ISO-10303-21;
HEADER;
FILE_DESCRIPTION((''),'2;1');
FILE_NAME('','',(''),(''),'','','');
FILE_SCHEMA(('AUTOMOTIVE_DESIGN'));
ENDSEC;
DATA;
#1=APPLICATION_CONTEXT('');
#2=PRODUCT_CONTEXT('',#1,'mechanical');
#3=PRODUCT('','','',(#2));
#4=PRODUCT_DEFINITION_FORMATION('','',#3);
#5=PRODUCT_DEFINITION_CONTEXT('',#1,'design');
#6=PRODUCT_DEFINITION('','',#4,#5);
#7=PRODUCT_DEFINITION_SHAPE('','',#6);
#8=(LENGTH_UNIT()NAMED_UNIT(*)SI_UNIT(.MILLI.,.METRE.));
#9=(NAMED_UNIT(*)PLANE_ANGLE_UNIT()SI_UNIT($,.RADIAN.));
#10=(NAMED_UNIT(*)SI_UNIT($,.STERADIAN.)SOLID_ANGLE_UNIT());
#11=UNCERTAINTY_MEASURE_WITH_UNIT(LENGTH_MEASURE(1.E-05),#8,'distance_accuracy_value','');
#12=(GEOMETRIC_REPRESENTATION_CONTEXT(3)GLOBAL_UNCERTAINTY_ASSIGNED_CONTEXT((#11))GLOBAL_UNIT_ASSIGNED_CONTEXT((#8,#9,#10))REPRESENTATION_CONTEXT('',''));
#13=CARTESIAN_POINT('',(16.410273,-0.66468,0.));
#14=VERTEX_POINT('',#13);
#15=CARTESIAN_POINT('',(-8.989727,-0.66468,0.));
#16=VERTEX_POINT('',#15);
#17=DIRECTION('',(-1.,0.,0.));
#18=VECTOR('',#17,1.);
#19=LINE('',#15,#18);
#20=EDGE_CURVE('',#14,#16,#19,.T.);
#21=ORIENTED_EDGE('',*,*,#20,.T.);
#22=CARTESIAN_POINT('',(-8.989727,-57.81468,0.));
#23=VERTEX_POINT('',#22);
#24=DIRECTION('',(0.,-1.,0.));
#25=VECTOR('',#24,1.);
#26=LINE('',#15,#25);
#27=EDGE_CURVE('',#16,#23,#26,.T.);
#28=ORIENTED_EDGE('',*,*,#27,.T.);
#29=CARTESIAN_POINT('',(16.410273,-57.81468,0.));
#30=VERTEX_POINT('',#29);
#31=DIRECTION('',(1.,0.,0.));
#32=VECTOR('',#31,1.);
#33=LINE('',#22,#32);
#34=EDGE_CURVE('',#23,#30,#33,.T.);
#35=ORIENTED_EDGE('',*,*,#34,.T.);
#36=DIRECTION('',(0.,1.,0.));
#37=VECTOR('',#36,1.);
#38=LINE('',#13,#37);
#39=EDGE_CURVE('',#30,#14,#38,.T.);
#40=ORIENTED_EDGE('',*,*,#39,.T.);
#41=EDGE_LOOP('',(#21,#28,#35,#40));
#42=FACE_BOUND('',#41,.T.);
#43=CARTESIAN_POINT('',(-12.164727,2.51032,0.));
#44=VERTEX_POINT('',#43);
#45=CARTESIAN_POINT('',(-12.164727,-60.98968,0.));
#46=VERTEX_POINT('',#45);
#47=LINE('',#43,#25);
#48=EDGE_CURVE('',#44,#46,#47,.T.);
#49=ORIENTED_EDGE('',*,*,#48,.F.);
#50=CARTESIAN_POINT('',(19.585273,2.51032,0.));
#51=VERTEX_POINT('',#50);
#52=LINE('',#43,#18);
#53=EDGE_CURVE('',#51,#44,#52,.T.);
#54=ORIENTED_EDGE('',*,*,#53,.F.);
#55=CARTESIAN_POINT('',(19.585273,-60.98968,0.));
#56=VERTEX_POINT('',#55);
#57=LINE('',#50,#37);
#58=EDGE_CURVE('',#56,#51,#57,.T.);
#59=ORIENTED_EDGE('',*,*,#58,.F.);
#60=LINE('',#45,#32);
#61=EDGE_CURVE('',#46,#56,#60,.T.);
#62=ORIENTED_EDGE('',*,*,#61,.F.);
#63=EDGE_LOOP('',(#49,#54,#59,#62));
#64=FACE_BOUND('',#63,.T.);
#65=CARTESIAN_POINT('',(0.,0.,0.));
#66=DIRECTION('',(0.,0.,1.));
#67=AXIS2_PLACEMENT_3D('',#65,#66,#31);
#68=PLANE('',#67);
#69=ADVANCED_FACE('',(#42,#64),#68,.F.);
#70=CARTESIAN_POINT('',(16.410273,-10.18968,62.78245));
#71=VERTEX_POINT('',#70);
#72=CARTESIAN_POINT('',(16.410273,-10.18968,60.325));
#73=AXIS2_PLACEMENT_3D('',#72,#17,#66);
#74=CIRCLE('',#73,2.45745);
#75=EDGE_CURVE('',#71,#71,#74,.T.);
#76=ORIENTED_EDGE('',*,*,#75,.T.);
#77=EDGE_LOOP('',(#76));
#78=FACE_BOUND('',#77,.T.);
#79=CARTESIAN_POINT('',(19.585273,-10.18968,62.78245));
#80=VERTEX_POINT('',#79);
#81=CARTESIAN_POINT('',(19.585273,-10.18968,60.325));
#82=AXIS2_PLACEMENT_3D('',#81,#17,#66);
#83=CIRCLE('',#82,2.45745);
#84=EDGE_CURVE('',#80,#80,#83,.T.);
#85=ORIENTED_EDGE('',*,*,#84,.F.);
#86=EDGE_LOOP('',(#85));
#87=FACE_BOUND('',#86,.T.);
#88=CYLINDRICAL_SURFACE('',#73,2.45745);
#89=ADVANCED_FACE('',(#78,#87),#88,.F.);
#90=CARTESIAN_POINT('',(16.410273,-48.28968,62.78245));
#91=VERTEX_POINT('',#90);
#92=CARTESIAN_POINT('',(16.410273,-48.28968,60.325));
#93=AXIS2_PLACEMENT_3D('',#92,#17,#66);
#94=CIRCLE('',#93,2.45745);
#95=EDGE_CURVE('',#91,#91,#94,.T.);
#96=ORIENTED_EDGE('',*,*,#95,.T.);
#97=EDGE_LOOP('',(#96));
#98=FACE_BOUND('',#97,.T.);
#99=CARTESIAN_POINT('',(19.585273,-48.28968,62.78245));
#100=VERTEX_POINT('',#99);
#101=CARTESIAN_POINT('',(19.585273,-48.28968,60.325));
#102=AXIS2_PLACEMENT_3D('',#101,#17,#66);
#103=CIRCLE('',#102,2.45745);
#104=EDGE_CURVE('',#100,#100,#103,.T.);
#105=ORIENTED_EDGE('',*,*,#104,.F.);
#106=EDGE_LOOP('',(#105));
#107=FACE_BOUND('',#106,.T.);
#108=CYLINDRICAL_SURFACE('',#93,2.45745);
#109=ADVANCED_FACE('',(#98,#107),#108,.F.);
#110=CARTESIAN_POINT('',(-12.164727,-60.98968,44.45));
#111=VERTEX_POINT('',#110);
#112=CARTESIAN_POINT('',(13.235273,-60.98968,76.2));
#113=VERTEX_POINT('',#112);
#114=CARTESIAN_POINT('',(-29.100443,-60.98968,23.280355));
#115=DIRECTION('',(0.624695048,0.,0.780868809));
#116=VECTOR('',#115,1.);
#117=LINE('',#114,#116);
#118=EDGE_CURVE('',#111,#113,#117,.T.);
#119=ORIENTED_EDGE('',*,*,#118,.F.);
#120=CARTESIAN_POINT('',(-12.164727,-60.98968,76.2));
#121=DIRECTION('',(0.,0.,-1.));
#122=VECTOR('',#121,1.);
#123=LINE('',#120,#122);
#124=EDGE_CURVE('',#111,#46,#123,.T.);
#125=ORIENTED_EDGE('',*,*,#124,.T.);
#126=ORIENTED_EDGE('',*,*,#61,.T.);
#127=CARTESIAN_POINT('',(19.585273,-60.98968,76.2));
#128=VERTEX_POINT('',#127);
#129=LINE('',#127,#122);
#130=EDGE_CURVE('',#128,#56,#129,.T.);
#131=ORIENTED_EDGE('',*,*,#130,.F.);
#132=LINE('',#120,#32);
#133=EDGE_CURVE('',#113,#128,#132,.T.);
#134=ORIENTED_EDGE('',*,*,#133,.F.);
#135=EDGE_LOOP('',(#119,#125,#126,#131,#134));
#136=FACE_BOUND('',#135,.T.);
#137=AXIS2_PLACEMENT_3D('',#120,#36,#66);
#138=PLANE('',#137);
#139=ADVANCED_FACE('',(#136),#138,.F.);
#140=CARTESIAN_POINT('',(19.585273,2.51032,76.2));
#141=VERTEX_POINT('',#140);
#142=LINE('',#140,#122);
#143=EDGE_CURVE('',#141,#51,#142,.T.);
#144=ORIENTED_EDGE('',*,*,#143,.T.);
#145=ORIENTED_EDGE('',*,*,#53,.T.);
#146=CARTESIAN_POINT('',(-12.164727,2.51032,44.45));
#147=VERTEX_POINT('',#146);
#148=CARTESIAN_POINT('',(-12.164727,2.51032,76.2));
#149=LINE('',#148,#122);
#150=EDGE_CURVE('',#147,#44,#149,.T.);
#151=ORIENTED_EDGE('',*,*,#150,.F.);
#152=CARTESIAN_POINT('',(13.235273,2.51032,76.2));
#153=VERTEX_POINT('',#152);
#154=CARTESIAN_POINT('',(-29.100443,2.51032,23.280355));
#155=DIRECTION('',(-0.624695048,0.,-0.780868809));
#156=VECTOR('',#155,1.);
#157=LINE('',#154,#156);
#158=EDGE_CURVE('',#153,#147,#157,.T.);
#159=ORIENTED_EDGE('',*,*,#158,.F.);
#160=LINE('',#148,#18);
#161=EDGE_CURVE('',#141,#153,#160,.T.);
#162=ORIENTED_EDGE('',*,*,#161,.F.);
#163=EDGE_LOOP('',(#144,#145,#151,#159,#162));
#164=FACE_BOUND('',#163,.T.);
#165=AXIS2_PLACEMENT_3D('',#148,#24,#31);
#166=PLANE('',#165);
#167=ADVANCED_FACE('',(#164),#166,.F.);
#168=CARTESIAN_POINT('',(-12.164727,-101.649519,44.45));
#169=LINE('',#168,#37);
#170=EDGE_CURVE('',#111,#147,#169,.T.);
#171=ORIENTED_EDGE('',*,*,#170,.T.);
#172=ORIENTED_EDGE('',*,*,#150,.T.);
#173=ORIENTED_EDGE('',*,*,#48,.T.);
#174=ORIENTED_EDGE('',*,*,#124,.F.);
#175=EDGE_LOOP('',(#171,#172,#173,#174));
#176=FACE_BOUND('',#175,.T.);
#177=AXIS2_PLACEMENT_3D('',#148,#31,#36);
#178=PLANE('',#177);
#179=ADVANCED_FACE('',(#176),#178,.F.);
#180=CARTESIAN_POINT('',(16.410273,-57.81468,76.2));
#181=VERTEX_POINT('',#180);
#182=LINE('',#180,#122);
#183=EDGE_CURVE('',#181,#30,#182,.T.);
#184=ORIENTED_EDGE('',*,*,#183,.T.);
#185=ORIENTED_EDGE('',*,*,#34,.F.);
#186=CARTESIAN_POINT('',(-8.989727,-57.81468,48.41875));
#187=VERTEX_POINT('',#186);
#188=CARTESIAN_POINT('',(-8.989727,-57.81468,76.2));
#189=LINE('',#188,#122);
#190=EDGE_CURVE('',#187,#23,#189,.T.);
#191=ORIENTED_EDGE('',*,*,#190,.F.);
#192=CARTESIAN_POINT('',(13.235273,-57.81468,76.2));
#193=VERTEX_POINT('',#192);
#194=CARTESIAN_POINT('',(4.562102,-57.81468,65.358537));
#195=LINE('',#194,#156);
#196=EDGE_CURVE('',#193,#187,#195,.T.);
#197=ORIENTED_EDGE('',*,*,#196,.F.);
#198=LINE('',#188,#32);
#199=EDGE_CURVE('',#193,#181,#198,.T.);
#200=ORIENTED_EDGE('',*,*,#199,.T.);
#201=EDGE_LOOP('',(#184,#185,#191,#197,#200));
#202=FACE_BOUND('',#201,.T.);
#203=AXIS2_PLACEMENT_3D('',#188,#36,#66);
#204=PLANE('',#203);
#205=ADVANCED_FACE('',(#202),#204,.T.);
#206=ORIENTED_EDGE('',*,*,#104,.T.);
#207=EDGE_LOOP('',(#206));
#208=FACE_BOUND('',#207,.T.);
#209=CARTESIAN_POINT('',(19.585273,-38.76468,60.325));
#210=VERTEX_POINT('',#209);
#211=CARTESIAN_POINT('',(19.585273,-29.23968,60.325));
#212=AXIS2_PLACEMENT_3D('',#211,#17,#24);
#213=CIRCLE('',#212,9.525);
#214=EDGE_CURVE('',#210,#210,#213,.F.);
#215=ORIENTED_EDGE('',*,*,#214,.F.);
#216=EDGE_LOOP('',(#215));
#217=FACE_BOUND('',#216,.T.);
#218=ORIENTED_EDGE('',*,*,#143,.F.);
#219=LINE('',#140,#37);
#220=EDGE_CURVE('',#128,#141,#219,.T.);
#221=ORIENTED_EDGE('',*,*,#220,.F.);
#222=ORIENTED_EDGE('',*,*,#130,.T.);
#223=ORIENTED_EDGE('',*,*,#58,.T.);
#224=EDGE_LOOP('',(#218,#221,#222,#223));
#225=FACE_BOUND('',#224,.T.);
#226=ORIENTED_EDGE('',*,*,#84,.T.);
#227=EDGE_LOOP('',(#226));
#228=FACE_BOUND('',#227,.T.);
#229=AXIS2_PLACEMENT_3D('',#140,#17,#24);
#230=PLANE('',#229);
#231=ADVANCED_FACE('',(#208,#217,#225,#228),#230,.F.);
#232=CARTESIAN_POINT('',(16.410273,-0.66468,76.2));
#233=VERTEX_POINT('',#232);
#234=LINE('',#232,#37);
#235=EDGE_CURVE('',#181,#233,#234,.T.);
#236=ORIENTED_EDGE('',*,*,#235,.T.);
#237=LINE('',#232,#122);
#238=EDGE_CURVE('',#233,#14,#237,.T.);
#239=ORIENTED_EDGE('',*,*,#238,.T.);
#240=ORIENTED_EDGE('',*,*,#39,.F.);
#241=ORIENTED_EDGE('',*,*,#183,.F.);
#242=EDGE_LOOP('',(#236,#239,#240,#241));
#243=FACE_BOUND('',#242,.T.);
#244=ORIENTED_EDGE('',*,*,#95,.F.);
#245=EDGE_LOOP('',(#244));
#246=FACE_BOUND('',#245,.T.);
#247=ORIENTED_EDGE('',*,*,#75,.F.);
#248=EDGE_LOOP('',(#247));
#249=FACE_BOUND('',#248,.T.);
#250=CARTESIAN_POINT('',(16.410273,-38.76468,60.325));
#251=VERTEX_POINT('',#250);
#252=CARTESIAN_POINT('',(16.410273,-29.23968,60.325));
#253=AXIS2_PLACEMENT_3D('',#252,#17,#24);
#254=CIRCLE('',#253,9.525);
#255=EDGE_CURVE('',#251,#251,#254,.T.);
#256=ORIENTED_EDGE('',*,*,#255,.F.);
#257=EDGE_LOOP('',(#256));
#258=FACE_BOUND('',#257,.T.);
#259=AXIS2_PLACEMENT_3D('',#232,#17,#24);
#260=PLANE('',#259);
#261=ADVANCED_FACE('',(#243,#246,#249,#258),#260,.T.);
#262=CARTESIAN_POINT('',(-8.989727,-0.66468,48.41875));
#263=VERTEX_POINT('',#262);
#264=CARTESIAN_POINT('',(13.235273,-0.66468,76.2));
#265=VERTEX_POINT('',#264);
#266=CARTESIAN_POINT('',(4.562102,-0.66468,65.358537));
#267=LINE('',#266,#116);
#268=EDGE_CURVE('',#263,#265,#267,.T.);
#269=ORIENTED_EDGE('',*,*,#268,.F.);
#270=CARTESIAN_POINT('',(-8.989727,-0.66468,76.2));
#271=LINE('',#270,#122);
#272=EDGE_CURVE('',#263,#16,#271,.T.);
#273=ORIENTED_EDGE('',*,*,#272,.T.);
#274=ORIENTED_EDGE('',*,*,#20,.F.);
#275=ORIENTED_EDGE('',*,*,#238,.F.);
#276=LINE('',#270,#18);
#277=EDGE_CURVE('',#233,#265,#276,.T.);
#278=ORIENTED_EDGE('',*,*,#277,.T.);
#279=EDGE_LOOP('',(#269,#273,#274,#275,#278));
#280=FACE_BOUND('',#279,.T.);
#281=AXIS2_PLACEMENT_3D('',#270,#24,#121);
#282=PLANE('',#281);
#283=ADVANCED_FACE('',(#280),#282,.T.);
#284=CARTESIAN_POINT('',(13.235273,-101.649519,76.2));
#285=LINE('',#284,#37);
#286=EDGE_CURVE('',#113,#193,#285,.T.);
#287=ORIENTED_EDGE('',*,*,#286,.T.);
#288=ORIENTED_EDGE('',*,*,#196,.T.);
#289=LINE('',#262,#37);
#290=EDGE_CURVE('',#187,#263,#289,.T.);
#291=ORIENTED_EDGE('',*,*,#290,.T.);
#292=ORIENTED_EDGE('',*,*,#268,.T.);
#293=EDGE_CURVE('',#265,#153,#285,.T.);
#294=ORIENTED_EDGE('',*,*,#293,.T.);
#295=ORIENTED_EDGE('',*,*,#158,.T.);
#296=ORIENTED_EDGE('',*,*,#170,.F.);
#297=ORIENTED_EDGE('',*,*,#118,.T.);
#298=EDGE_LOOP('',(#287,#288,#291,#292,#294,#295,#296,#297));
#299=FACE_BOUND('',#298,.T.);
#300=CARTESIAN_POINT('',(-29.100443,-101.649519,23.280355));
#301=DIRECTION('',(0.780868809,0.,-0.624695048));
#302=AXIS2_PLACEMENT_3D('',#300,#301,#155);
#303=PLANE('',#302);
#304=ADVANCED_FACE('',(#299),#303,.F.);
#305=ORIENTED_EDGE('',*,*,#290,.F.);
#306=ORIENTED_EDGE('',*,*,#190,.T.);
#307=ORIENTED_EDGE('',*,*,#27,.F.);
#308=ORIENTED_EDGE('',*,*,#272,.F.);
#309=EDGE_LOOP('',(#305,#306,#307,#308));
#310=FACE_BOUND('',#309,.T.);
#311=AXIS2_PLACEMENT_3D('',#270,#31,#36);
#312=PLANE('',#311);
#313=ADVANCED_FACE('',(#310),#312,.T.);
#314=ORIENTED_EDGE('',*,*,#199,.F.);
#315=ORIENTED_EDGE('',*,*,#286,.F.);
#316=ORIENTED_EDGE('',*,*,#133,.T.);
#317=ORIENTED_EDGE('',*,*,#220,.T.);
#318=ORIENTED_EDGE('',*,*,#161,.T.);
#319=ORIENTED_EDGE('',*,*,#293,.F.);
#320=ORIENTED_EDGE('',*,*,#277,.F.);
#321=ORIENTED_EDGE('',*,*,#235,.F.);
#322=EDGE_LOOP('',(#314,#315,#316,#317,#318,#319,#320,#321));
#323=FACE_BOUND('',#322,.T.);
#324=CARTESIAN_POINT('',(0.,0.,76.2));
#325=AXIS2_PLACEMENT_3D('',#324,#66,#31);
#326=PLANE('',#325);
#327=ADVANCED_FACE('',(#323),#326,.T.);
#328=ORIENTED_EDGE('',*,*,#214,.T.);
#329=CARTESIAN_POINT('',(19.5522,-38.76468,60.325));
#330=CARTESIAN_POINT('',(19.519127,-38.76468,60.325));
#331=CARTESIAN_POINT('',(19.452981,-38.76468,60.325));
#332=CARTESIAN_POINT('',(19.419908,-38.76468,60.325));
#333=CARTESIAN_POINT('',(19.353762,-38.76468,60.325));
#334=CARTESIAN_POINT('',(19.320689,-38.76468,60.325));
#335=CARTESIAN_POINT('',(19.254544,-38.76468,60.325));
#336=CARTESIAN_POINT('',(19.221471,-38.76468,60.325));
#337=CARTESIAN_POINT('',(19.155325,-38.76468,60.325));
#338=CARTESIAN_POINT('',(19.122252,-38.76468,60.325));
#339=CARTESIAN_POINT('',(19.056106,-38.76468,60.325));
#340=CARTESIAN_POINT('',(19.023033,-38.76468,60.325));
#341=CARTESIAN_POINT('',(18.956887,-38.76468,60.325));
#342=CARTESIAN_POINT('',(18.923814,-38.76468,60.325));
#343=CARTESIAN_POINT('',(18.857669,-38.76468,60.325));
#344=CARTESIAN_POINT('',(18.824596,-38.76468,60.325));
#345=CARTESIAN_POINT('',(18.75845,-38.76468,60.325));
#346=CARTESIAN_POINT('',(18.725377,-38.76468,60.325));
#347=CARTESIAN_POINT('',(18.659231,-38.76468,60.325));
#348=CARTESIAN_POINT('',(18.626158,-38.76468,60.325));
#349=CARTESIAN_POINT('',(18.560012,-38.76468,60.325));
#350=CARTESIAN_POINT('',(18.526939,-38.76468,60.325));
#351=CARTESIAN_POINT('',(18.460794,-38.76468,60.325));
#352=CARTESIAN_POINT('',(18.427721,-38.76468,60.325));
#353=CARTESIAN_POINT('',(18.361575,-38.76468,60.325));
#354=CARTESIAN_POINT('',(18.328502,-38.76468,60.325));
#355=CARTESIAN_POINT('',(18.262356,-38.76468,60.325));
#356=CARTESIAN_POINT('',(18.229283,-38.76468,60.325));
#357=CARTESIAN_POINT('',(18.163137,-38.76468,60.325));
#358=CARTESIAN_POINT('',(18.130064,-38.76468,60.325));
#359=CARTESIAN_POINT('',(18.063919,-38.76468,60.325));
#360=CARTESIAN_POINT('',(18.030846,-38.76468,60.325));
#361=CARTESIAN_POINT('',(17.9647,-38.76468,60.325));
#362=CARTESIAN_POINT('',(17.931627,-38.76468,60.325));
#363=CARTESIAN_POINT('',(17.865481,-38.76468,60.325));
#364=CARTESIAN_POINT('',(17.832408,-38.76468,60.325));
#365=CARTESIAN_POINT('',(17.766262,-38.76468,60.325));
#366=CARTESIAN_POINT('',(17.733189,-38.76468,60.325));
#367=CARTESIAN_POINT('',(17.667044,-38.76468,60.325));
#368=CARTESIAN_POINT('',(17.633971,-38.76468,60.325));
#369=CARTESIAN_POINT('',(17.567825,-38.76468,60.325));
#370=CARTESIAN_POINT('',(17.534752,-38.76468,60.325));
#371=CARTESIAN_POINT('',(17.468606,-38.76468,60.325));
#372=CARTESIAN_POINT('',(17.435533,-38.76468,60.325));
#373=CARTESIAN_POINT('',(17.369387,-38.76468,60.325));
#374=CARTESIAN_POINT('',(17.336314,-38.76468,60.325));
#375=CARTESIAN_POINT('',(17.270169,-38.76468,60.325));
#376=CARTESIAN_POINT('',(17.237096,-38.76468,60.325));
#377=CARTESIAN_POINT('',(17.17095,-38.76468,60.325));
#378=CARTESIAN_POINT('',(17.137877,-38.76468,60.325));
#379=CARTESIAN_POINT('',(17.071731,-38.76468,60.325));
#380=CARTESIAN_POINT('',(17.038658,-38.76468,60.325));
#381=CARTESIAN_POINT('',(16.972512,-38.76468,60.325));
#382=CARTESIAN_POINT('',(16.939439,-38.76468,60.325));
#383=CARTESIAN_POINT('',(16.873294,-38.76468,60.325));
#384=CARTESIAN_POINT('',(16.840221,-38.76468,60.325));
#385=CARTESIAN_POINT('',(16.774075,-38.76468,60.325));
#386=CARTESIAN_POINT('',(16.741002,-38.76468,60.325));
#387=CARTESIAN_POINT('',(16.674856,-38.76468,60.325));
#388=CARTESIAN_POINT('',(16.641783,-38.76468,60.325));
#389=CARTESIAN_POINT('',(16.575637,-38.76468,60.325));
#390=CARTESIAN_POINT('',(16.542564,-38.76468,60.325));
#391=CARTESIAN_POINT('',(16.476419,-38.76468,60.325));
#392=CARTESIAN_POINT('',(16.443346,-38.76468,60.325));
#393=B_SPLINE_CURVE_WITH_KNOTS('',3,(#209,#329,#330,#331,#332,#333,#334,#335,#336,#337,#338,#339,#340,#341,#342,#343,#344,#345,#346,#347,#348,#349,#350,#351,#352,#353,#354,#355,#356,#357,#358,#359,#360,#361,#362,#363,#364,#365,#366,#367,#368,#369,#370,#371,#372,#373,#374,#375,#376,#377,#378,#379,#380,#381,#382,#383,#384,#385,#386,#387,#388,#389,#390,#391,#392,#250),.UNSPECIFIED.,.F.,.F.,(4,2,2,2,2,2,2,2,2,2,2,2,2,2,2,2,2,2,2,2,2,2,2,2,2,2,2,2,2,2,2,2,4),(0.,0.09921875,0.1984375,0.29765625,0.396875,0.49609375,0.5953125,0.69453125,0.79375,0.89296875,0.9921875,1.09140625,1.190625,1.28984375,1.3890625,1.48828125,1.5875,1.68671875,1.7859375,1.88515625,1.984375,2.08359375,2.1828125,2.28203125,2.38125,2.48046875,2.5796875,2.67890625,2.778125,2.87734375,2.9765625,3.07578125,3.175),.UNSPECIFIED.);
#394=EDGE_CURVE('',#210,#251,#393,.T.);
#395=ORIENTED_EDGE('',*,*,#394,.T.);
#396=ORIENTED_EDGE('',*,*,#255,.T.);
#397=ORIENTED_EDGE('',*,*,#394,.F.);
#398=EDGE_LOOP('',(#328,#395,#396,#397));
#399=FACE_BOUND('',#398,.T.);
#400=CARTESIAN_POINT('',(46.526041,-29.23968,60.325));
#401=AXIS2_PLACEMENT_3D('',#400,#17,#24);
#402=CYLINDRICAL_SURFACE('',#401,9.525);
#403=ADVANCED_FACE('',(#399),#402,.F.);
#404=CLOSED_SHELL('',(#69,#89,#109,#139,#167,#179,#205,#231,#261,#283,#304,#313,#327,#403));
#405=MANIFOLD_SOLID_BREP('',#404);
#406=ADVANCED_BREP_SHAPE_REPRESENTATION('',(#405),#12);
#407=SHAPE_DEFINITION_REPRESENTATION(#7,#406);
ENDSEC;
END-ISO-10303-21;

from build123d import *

# Parameters (mm, degrees)
SKETCH1_W                    = 31.75
SKETCH1_H                    = 63.5
SKETCH1_W_2                  = 25.4
SKETCH1_H_2                  = 57.15
BOSS_EXTRUDE1_DEPTH          = 76.2
CUT_EXTRUDE1_REACH           = 103.105
SKETCH3_R                    = 9.525
CUT_EXTRUDE2_DEPTH           = 3.175
F_10_0_1935_DIAMETER_HOLE1_D = 4.9149


with BuildPart() as part:
    # Sketch1 → Boss-Extrude1 (new body)
    with BuildSketch(Plane.XY):
        with Locations((3.710272719, -29.23968021)):
            Rectangle(SKETCH1_W, SKETCH1_H)
        with Locations((3.710272719, -29.23968021)):
            Rectangle(SKETCH1_W_2, SKETCH1_H_2, mode=Mode.SUBTRACT)
    extrude(amount=BOSS_EXTRUDE1_DEPTH)

    # Cut-Extrude1: up to this face of the body (flat: up to its plane)
    cut_extrude1_end = Plane(part.part.faces().sort_by_distance((3.710272719, -60.98968021, 38.1))[0])
    # Sketch2 → Cut-Extrude1 (cut, up to the picked face)
    with BuildSketch(Plane(origin=(0, 2.51031979, 0), x_dir=(1, 0, 0), z_dir=(0, 1, 0)), mode=Mode.PRIVATE) as cut_extrude1_sk1:
        Polygon((-12.164727281, -76.2), (13.235272719, -76.2), (-12.164727281, -44.45), align=None)
    cut_extrude1_tool1 = split(extrude(cut_extrude1_sk1.sketch, amount=-CUT_EXTRUDE1_REACH, mode=Mode.PRIVATE), bisect_by=cut_extrude1_end, keep=Keep.BOTH, mode=Mode.PRIVATE)
    add(cut_extrude1_tool1.solids().sort_by(Axis((-3.698061, 2.51032, 65.616667), (0, -1, 0)))[0], mode=Mode.SUBTRACT)

    # Sketch3 → Cut-Extrude2 (cut)
    with BuildSketch(Plane.ZY.offset(-16.410272719)):
        with Locations(Location((60.325, -29.23968021, 0), (0, 0, 270))):
            Circle(SKETCH3_R)
    extrude(amount=-CUT_EXTRUDE2_DEPTH, mode=Mode.SUBTRACT)

    # #10 (0.1935) Diameter Hole1 (through all)
    with Locations(Plane(origin=(16.410272719, -48.28968021, 60.325), x_dir=(0, -1, 0), z_dir=(-1, 0, 0))):
        with Locations((0, 0), (-38.1, 0)):
            Hole(F_10_0_1935_DIAMETER_HOLE1_D / 2)


solid = part.part
